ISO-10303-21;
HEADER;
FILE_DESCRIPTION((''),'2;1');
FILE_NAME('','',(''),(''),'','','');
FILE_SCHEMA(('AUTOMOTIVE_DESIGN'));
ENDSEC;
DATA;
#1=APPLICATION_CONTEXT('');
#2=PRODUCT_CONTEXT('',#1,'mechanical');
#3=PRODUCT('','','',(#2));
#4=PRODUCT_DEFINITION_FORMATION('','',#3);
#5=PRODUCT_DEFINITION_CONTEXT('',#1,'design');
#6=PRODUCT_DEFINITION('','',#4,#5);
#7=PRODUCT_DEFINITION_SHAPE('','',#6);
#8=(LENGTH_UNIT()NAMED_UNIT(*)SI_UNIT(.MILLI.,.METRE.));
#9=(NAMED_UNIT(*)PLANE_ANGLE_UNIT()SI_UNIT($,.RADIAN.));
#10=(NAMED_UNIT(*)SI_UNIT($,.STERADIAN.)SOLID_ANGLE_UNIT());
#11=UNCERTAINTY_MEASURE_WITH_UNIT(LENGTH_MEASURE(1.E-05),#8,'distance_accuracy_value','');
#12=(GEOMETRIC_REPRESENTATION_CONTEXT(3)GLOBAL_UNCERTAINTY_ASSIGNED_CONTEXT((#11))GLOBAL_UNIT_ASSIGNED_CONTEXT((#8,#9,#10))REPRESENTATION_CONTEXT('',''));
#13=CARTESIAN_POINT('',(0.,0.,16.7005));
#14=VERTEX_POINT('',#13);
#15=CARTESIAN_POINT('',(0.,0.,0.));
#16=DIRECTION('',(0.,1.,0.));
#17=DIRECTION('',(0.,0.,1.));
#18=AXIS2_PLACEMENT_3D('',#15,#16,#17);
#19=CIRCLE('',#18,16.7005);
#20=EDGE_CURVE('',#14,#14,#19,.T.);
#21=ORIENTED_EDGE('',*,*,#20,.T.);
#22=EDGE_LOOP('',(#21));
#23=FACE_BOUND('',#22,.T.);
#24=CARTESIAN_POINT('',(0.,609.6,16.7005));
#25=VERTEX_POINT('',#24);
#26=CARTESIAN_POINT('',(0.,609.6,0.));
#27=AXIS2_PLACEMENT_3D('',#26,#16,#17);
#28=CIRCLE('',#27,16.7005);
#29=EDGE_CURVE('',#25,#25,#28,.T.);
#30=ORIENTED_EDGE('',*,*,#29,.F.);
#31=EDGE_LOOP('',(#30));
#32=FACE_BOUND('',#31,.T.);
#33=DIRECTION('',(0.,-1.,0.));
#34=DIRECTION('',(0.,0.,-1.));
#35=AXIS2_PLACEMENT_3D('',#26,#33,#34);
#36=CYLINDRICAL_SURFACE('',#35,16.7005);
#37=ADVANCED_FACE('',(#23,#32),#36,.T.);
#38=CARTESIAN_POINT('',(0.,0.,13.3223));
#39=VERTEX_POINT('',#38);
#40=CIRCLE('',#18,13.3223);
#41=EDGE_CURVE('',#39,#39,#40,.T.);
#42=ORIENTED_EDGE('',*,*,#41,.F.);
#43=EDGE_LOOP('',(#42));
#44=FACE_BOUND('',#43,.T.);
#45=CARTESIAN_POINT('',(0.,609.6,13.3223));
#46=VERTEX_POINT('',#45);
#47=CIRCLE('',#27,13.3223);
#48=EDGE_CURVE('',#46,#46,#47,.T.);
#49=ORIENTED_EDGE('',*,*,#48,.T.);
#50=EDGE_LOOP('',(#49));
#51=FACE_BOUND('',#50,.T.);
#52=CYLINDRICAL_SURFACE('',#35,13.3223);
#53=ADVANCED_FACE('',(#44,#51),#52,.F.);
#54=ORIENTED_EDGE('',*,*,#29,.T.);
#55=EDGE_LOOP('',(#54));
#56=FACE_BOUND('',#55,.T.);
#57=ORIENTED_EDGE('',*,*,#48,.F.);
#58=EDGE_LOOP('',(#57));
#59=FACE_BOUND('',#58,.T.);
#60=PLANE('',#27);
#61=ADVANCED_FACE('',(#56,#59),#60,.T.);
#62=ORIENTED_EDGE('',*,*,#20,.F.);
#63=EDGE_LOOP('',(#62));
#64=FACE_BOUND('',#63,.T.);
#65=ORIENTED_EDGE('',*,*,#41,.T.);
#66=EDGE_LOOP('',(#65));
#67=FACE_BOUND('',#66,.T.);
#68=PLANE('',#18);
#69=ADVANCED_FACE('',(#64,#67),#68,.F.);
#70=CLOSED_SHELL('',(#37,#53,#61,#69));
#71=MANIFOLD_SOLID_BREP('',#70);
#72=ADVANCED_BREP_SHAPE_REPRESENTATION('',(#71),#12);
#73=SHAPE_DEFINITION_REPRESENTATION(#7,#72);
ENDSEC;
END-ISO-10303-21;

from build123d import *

# Parameters (mm, degrees)
SKETCH1_R           = 16.7005
SKETCH1_R_2         = 13.3223
BOSS_EXTRUDE1_DEPTH = 609.6


with BuildPart() as part:
    # Sketch1 → Boss-Extrude1 (new body)
    with BuildSketch(Plane(origin=(0, 0, 0), x_dir=(1, 0, 0), z_dir=(0, 1, 0))):
        Circle(SKETCH1_R)
        Circle(SKETCH1_R_2, mode=Mode.SUBTRACT)
    extrude(amount=BOSS_EXTRUDE1_DEPTH)


solid = part.part
